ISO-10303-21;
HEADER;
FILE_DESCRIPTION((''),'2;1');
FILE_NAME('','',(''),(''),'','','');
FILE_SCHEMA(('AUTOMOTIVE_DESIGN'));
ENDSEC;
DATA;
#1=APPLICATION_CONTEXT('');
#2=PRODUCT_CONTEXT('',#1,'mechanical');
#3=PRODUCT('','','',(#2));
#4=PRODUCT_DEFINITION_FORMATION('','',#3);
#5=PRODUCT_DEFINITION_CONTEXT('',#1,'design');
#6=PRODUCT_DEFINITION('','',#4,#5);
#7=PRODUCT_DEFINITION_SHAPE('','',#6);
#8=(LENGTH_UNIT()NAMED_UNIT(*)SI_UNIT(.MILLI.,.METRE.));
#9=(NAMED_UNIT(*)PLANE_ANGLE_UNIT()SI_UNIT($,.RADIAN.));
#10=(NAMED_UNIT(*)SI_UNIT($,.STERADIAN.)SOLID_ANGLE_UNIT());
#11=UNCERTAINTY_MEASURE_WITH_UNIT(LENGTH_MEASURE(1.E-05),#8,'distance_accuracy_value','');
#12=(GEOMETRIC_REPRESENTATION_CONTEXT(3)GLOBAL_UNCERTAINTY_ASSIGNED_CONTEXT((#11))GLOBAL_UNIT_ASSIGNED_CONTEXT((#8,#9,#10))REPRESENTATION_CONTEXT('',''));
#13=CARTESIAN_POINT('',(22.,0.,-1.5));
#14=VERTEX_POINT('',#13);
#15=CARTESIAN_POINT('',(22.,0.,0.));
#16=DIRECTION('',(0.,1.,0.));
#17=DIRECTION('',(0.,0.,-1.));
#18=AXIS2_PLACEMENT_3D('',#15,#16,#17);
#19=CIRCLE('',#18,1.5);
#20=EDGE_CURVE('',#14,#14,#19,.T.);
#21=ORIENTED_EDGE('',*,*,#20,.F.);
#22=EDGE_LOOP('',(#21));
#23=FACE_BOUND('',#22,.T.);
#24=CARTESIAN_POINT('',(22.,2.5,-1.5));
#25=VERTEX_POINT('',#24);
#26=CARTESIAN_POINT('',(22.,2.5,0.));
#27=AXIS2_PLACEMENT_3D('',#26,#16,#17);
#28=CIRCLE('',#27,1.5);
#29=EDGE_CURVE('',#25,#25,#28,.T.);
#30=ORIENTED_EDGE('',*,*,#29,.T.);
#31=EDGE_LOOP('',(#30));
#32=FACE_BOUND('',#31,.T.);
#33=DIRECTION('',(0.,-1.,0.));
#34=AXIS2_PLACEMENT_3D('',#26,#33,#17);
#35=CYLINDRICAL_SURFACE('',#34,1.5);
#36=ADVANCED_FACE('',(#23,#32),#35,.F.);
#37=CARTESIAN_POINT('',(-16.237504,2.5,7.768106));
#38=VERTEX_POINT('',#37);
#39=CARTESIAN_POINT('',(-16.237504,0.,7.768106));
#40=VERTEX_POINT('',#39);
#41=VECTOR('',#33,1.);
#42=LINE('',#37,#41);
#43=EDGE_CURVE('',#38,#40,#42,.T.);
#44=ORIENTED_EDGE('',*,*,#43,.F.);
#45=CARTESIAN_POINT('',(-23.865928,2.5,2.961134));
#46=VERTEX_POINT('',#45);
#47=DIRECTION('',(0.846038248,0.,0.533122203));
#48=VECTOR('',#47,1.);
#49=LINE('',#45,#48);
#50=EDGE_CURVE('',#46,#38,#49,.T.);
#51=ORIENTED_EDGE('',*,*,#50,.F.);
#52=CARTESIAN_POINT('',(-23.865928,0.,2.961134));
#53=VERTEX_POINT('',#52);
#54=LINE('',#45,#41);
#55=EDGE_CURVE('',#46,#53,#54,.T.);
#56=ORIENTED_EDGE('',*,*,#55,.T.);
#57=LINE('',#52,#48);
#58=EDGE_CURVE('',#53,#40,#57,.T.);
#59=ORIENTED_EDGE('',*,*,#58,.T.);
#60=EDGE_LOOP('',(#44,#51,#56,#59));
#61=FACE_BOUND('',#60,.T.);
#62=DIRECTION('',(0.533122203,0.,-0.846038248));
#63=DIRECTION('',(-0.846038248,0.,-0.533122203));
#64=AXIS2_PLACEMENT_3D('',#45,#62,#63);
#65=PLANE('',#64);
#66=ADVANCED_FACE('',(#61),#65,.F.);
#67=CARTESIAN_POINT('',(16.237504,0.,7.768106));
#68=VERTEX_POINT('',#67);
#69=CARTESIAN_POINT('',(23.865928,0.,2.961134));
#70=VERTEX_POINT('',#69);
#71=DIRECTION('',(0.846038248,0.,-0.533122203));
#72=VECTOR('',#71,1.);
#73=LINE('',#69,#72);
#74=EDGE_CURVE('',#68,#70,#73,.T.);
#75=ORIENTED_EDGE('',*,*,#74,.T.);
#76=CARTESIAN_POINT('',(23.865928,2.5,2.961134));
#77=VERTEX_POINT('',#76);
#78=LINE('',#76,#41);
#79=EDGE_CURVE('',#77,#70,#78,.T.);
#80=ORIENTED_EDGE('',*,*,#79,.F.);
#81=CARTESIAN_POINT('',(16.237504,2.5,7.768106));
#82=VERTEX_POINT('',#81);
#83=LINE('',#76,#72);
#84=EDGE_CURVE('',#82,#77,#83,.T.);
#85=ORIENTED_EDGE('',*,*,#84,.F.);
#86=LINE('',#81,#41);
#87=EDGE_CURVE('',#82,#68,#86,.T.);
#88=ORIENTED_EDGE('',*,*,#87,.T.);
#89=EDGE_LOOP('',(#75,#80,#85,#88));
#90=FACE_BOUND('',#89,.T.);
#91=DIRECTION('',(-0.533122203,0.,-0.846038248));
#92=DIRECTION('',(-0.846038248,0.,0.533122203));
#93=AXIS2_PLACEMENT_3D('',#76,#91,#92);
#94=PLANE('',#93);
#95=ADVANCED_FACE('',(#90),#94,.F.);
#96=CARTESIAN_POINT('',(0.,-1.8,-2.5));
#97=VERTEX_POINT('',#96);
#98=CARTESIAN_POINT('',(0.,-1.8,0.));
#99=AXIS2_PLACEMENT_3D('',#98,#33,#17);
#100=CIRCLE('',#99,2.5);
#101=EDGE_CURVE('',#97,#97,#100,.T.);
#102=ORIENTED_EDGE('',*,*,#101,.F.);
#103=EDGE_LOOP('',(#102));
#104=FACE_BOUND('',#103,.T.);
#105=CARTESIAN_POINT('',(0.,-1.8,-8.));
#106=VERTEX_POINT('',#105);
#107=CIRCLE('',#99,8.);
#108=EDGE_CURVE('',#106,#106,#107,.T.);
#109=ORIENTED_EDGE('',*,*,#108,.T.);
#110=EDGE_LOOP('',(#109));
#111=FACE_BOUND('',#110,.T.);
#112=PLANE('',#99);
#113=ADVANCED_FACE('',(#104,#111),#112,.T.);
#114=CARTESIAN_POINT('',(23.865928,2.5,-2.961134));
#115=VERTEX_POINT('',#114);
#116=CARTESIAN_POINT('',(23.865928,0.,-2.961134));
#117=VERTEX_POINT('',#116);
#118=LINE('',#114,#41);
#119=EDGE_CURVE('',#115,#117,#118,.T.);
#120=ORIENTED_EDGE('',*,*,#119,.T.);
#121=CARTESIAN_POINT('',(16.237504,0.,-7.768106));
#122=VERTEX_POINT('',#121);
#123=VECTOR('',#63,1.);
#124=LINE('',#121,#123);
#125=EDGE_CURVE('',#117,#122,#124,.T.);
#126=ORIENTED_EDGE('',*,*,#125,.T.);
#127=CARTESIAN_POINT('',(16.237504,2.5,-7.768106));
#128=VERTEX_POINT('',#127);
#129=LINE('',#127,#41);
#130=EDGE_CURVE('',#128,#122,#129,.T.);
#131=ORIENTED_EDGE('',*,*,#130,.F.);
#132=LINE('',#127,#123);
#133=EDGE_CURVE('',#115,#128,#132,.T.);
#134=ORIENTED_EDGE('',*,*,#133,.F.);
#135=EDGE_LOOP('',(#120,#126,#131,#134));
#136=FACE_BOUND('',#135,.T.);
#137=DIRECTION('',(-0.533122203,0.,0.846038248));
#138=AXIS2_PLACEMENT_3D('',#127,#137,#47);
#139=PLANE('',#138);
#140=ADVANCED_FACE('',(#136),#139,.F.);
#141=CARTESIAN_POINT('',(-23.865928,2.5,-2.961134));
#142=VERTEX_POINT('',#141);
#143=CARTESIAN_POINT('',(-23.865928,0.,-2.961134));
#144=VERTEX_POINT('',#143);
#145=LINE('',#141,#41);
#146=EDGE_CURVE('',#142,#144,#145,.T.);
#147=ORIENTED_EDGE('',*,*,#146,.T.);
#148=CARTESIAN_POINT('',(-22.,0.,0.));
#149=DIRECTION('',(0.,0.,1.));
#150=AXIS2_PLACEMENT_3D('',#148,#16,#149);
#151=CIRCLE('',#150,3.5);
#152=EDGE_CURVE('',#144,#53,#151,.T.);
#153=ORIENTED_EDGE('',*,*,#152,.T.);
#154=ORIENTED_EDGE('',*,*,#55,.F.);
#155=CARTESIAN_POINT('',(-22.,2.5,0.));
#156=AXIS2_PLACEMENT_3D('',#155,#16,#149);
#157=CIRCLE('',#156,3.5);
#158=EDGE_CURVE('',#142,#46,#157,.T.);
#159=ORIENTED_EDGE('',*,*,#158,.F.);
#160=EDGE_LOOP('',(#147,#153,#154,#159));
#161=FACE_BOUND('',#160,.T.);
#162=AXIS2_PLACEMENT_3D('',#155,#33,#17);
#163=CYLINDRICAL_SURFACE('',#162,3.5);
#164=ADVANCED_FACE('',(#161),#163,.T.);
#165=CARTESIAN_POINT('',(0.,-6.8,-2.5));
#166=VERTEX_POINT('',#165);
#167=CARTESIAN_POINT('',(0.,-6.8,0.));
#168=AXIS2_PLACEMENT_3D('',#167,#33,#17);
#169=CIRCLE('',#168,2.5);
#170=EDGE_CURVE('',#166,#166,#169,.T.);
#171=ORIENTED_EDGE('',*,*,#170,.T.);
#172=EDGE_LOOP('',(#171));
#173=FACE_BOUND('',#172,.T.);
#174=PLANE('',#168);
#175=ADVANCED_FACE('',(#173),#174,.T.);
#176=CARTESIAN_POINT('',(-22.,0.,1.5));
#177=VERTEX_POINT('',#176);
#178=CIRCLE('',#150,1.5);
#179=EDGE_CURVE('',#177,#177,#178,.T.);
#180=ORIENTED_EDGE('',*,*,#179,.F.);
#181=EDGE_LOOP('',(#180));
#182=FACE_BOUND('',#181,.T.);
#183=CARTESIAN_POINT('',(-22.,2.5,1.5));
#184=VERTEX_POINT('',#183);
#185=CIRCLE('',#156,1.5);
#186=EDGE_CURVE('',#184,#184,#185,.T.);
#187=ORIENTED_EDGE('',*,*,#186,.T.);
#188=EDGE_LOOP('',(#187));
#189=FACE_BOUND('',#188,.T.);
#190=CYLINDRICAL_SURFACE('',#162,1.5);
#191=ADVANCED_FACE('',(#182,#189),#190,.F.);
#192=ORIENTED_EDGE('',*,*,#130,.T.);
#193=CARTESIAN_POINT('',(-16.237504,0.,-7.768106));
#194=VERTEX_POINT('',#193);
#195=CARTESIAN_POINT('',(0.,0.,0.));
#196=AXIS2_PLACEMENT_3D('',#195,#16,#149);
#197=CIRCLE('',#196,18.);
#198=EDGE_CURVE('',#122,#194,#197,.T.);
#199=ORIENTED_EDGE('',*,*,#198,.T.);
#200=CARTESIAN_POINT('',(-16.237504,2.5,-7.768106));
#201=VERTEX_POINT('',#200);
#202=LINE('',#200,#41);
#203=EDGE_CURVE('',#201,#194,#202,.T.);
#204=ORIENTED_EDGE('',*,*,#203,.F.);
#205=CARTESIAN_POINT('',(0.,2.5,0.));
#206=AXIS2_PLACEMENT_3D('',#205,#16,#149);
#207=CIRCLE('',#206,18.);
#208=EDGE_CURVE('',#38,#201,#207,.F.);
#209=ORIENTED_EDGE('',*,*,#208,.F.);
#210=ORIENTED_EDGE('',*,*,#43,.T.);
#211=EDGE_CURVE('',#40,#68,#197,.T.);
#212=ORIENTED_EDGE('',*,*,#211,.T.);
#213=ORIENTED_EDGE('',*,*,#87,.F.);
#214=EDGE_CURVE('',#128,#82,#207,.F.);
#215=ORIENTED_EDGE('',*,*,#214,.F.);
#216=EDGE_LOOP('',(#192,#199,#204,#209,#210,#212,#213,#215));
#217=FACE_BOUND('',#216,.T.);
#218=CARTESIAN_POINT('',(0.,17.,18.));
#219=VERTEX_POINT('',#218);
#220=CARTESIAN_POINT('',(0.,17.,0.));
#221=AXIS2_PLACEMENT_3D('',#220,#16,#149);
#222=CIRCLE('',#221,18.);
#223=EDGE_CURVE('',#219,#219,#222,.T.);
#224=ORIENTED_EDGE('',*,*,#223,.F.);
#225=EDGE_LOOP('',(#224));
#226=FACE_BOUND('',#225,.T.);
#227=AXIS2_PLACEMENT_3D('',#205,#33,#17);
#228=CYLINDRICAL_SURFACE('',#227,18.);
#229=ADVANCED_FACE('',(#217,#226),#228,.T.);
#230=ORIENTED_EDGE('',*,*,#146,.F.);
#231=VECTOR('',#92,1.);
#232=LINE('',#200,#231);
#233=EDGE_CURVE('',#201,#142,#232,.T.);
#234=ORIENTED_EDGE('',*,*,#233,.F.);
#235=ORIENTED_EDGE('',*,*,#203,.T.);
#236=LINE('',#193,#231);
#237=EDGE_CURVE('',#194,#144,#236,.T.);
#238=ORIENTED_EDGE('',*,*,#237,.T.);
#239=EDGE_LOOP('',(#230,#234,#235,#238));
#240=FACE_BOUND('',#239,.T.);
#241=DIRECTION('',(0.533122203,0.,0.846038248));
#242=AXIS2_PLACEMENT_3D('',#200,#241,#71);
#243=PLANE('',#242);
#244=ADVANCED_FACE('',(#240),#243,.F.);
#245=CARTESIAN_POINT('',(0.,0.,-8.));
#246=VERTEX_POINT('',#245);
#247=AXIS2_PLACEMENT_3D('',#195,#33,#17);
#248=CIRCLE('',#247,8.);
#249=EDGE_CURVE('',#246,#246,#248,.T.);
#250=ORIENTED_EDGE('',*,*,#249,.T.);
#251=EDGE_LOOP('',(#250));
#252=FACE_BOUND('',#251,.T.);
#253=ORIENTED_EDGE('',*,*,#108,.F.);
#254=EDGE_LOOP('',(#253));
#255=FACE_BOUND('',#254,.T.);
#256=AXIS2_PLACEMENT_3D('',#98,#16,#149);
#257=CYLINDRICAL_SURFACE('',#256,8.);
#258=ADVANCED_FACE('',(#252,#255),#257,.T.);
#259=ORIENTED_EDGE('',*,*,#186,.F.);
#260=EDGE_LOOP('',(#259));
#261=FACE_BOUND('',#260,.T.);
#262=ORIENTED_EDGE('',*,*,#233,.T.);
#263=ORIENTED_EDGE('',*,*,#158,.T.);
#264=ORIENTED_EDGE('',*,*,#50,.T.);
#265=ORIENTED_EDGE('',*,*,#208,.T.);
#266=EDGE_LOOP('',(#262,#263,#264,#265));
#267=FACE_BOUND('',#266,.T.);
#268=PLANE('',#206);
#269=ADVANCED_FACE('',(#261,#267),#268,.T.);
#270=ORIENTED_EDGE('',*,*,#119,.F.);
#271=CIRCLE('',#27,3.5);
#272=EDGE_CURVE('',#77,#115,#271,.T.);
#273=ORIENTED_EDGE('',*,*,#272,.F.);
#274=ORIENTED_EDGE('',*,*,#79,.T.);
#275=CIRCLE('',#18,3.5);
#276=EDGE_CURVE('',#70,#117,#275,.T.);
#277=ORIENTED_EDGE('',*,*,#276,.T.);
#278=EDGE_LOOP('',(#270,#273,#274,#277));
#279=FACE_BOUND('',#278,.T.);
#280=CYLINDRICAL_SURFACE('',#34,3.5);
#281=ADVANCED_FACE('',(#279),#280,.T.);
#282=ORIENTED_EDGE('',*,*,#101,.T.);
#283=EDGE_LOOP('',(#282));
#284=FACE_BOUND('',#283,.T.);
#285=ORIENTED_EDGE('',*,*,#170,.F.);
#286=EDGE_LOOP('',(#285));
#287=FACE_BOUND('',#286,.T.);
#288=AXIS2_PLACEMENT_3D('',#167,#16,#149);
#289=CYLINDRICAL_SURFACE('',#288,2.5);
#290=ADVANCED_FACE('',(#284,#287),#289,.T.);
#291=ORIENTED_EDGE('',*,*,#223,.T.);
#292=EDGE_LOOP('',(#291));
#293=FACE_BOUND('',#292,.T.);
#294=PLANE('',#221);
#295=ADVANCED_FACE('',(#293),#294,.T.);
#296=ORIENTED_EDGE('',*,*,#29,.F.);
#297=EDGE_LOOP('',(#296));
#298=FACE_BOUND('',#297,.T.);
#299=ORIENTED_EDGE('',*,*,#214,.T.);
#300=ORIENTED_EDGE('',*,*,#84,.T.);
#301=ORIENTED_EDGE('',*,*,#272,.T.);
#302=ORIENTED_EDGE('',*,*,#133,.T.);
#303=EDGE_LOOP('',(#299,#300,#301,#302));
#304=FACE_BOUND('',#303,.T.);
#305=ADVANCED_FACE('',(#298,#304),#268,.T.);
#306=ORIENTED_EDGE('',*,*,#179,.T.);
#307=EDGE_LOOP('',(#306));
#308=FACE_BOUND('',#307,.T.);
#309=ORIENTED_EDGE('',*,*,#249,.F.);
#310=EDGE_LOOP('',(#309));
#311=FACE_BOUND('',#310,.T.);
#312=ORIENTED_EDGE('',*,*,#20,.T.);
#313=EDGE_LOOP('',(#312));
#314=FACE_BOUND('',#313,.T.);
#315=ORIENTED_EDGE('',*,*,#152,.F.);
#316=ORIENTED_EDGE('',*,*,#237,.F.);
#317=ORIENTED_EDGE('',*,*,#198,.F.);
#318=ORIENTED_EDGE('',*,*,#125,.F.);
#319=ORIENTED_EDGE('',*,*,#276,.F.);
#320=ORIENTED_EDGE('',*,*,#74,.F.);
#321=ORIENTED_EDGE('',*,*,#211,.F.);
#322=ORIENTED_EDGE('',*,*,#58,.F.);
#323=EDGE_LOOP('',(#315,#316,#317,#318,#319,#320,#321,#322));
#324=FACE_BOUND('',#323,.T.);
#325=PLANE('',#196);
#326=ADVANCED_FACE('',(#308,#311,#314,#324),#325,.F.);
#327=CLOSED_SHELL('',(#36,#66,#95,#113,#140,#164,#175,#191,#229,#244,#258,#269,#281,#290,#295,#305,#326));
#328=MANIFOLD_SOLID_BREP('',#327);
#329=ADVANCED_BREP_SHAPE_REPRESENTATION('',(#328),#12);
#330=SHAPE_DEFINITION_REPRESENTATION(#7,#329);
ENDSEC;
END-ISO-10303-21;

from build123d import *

# Parameters (mm, degrees)
SKETCH1_R           = 1.5
BOSS_EXTRUDE1_DEPTH = 2.5
BOSS_EXTRUDE2_START = -2.5
SKETCH2_R           = 18
BOSS_EXTRUDE2_DEPTH = 17
SKETCH3_R           = 8
BOSS_EXTRUDE3_DEPTH = 1.8
SKETCH4_R           = 2.5
BOSS_EXTRUDE4_DEPTH = 5


with BuildPart() as part:
    # Sketch1 → Boss-Extrude1 (new body)
    with BuildSketch(Plane(origin=(0, 0, 0), x_dir=(1, 0, 0), z_dir=(0, 1, 0))):
        with BuildLine():
            Line((-16.237503877, 7.768105807), (-23.86592771, 2.961133868))
            ThreePointArc((-23.86592771, 2.961133868), (-25.5, 0), (-23.86592771, -2.961133868))
            Line((-23.86592771, -2.961133868), (-16.237503877, -7.768105807))
            ThreePointArc((-16.237503877, -7.768105807), (0, -18), (16.237503877, -7.768105807))
            Line((16.237503877, -7.768105807), (23.86592771, -2.961133868))
            ThreePointArc((23.86592771, -2.961133868), (25.5, 0), (23.86592771, 2.961133868))
            Line((23.86592771, 2.961133868), (16.237503877, 7.768105807))
            ThreePointArc((16.237503877, 7.768105807), (0, 18), (-16.237503877, 7.768105807))
        make_face()
        with Locations(Location((-22, 0, 0), (0, 0, 270))):
            Circle(SKETCH1_R, mode=Mode.SUBTRACT)
        with Locations(Location((22, 0, 0), (0, 0, 90))):
            Circle(SKETCH1_R, mode=Mode.SUBTRACT)
    extrude(amount=BOSS_EXTRUDE1_DEPTH)

    # Sketch2 → Boss-Extrude2 (add)
    with BuildSketch(Plane(origin=(0, 2.5, 0), x_dir=(1, 0, 0), z_dir=(0, 1, 0)).offset(BOSS_EXTRUDE2_START)):
        with Locations(Location((0, 0, 0), (0, 0, 25.566693529))):
            Circle(SKETCH2_R)
    extrude(amount=BOSS_EXTRUDE2_DEPTH)

    # Sketch3 → Boss-Extrude3 (add)
    with BuildSketch(Plane.XZ):
        with Locations(Location((0, 0, 0), (0, 0, 270))):
            Circle(SKETCH3_R)
    extrude(amount=BOSS_EXTRUDE3_DEPTH)

    # Sketch4 → Boss-Extrude4 (add)
    with BuildSketch(Plane.XZ.offset(1.8)):
        with Locations(Location((0, 0, 0), (0, 0, 270))):
            Circle(SKETCH4_R)
    extrude(amount=BOSS_EXTRUDE4_DEPTH)


solid = part.part
